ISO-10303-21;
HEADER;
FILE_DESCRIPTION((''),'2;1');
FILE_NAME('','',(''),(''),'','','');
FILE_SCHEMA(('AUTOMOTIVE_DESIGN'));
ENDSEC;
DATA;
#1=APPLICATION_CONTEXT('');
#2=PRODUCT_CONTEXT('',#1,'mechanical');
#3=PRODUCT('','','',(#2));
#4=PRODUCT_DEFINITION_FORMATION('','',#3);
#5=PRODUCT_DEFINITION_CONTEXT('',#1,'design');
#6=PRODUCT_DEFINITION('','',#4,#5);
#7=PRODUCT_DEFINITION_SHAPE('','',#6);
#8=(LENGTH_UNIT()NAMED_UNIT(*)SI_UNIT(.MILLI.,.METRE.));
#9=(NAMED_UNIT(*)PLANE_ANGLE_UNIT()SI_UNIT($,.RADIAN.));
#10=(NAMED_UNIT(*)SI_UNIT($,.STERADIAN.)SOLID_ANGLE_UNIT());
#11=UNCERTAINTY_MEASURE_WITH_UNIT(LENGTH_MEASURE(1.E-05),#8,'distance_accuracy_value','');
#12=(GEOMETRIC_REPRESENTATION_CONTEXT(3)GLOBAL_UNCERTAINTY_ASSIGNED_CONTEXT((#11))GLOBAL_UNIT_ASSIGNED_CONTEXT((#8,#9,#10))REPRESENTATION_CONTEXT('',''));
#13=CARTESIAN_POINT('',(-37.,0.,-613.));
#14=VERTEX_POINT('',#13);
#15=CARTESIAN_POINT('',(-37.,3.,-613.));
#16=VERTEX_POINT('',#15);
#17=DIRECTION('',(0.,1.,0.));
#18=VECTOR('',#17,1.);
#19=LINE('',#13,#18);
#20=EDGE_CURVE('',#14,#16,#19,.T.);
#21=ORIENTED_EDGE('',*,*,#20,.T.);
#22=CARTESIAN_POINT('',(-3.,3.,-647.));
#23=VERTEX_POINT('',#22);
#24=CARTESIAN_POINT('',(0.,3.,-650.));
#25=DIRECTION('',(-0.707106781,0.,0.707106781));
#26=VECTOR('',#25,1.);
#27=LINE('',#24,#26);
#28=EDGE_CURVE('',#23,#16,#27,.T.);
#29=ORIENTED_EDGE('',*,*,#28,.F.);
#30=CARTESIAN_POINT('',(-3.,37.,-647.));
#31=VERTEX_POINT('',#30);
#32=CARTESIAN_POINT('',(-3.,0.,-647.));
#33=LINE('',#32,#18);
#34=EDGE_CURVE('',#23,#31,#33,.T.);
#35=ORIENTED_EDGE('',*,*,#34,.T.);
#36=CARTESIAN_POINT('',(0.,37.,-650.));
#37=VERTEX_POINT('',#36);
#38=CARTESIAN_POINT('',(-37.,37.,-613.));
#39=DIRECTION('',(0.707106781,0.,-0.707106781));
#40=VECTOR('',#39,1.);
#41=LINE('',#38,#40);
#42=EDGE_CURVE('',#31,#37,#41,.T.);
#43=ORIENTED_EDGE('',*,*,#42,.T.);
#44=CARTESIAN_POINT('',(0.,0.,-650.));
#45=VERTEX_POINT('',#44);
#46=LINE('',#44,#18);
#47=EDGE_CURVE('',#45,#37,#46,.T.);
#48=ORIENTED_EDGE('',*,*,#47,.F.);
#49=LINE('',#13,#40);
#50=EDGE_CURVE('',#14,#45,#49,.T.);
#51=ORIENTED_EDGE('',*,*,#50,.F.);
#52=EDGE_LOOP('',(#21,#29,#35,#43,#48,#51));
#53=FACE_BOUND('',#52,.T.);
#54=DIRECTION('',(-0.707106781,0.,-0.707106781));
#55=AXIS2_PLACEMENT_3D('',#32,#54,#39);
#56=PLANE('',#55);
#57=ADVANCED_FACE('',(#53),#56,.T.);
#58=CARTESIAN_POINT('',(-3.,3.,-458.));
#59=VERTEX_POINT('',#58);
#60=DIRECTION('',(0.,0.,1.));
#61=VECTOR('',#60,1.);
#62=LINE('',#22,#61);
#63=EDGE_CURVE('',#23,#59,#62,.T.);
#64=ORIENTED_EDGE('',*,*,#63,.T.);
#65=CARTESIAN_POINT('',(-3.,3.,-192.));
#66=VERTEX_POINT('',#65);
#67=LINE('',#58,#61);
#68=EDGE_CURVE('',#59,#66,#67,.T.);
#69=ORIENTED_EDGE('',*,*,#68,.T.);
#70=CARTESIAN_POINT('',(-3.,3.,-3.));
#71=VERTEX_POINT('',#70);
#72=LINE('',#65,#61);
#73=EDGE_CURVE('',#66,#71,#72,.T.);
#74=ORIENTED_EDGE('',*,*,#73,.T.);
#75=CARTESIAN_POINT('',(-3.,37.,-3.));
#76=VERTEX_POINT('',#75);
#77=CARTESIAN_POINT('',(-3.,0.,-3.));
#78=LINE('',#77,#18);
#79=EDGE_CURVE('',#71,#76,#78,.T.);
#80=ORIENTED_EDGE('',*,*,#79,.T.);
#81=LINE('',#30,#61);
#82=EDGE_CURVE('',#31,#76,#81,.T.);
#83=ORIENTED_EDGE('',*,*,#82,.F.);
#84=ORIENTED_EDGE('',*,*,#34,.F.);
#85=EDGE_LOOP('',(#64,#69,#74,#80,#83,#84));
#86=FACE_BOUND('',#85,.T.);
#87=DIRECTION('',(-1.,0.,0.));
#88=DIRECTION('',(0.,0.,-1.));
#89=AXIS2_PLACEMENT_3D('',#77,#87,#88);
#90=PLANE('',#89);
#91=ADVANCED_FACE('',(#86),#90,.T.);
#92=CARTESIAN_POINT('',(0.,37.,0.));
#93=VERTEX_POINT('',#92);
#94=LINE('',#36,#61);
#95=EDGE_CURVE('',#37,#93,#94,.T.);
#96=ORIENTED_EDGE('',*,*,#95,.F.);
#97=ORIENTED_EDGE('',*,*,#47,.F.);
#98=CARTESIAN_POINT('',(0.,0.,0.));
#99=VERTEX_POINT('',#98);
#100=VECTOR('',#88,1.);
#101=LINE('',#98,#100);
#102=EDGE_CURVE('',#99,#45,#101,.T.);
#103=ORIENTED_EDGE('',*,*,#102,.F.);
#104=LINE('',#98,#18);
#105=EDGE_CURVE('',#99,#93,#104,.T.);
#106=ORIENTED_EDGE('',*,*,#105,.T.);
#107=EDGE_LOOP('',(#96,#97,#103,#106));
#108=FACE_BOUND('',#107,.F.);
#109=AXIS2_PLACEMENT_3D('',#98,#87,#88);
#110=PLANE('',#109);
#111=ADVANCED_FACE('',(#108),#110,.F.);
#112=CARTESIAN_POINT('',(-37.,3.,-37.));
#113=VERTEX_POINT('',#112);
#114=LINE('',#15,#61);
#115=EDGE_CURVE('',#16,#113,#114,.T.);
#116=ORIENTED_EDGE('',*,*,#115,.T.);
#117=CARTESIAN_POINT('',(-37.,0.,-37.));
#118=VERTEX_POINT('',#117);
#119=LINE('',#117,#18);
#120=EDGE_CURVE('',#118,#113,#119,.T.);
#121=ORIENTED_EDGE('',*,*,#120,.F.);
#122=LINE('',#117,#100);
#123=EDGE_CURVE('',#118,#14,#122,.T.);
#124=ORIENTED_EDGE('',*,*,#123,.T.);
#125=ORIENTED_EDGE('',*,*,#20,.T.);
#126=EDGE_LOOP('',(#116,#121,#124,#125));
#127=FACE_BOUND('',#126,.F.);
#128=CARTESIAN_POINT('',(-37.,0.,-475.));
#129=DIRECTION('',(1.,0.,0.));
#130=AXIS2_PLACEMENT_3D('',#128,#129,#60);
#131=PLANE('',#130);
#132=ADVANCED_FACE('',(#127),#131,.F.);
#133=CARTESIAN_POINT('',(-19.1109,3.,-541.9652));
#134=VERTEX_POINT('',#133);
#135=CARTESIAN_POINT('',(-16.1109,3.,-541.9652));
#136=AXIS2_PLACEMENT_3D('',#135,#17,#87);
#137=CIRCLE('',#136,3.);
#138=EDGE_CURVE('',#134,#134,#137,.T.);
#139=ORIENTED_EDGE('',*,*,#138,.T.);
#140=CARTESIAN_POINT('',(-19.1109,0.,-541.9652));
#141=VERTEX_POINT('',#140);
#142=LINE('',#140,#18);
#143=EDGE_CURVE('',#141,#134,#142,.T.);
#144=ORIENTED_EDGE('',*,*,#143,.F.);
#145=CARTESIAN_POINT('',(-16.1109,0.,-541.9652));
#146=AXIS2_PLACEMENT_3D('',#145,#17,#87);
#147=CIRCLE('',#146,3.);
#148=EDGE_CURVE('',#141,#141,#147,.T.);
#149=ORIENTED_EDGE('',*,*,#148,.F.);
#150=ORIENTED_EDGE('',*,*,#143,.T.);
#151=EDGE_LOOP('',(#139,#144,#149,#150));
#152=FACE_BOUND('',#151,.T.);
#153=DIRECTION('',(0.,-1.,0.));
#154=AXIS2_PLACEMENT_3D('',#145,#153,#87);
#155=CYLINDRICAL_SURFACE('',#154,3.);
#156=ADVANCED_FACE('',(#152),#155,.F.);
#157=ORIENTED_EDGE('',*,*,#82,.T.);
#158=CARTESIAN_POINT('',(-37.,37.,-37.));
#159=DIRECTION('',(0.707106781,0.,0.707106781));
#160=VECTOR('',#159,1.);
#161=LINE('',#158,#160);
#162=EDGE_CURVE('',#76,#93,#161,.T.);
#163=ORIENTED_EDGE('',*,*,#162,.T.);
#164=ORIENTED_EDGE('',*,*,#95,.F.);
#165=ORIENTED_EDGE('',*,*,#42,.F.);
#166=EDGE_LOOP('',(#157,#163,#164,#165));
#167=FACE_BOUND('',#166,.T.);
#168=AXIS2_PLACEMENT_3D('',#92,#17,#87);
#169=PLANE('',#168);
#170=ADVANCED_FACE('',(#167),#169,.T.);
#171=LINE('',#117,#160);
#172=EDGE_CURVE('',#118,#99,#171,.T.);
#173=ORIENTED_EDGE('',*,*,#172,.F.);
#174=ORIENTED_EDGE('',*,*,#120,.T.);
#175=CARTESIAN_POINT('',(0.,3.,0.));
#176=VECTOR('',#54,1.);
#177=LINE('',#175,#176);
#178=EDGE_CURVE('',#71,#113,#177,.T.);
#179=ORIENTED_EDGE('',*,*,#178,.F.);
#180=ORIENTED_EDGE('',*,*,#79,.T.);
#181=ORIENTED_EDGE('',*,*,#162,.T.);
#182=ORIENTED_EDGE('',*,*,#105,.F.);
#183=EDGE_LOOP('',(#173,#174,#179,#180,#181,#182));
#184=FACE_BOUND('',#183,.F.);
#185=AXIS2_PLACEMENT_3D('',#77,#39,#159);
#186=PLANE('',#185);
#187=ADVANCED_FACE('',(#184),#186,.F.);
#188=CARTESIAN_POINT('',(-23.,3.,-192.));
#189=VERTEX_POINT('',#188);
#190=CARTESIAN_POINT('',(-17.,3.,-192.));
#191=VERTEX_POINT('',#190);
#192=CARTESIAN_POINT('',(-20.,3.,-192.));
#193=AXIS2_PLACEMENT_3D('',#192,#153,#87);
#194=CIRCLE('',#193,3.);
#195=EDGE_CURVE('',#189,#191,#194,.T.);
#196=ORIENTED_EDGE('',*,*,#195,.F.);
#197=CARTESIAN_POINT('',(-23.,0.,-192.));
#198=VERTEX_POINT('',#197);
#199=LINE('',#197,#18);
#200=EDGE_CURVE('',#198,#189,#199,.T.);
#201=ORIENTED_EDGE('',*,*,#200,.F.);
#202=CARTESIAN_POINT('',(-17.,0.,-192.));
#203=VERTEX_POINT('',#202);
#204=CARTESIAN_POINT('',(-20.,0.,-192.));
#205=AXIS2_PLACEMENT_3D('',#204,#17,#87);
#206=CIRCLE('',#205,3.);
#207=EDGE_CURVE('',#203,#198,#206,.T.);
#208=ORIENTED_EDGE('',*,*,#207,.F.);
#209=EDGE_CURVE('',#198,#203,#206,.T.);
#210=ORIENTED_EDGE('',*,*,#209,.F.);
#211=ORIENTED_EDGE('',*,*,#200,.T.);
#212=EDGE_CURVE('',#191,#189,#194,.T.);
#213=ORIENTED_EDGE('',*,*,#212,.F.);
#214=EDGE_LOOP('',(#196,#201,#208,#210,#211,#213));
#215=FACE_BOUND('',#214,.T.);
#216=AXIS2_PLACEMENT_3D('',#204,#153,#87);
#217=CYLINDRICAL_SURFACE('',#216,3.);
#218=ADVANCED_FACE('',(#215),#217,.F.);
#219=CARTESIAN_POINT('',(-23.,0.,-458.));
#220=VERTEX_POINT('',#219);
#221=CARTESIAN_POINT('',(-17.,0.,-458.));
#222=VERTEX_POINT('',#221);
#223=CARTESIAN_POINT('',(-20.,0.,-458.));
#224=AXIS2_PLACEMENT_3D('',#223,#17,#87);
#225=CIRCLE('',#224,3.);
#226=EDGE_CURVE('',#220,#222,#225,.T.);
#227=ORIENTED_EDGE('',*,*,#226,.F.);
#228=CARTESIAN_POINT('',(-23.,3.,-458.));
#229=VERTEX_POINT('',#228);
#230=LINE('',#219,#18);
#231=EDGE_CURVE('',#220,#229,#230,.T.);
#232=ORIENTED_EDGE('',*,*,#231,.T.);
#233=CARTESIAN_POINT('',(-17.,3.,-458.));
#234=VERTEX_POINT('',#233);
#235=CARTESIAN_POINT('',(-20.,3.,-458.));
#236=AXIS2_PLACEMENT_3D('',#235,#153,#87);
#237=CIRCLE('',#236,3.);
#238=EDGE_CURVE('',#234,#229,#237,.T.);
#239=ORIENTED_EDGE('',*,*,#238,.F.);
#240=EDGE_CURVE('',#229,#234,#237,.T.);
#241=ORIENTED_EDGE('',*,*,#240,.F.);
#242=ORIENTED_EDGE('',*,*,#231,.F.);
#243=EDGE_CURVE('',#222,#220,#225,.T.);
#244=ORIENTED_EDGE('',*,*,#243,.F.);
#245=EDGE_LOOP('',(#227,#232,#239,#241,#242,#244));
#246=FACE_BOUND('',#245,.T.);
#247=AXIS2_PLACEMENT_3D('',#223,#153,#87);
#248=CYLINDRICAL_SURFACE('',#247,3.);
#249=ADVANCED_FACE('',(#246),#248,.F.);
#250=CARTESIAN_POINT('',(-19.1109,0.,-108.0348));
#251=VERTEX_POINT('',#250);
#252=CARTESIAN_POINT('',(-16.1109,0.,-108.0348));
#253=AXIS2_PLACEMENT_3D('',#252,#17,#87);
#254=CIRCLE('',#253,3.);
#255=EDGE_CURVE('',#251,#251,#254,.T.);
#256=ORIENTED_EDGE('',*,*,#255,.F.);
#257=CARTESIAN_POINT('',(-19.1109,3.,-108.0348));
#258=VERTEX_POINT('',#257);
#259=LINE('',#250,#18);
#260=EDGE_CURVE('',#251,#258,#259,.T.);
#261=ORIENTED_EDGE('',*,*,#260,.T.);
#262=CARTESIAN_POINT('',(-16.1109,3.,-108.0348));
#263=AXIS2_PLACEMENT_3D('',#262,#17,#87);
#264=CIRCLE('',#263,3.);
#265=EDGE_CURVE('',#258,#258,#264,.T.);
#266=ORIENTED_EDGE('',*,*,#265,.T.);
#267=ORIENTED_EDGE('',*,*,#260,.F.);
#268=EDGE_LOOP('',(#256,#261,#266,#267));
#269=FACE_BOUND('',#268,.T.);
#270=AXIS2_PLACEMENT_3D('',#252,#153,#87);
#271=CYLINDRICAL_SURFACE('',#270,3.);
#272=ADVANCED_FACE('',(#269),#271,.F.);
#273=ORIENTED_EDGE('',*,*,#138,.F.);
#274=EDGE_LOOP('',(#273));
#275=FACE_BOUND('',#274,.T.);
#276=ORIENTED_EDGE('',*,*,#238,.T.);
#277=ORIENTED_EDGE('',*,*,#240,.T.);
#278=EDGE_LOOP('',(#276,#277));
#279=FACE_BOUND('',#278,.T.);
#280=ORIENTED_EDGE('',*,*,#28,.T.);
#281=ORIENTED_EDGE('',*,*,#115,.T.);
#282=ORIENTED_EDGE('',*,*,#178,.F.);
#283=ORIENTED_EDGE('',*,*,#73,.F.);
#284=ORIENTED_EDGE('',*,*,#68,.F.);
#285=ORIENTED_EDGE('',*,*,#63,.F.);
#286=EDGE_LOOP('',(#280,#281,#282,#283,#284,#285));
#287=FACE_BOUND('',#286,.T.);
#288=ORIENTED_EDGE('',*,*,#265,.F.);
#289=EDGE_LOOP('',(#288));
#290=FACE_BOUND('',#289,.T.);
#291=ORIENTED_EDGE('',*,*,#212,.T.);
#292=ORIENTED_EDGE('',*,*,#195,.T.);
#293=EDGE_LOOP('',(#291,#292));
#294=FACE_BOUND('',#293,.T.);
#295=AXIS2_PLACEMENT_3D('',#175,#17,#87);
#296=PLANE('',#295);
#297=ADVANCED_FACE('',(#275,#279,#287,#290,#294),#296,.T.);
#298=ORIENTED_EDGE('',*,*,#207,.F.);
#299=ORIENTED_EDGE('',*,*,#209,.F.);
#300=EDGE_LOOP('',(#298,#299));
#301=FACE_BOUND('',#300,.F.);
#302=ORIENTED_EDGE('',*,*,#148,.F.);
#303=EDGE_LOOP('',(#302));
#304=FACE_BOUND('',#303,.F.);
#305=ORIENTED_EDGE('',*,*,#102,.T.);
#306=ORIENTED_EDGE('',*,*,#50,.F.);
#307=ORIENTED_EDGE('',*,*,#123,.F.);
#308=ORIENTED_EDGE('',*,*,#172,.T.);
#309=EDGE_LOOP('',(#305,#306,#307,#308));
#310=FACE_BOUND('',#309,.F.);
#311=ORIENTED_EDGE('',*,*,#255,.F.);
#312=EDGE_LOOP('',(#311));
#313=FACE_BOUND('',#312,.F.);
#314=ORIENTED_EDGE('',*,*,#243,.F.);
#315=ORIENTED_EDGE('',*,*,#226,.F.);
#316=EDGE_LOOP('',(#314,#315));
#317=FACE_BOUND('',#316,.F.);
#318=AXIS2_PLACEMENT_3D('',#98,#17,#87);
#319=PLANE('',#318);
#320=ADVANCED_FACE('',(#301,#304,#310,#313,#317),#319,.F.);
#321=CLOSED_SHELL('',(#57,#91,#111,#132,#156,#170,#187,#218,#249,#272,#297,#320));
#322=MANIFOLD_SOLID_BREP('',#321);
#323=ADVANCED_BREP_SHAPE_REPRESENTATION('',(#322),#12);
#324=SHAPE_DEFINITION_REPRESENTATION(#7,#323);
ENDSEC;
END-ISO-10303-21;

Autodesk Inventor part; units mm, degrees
ref_plane "YZ Plane" through (0, 0, 0) normal (1, 0, 0) x (0, 1, 0)
ref_plane "XZ Plane" through (0, 0, 0) normal (0, 1, 0) x (-1, 0, 0)
ref_plane "XY Plane" through (0, 0, 0) normal (0, 0, 1) x (1, 0, 0)
sketch "Sketch1" plane through (0, 0, 0) normal (0, 1, 0) x (-1, 0, 0)
  line L0 (0, 0) -> (0, -650)
  line L1 (0, -650) -> (650, -650)
  line L2 (650, -650) -> (650, 0)
  line L3 (650, 0) -> (0, 0)
  line L4 (0, 0) -> (3, 0)
  line L5 (3, -3) -> (3, -647)
  line L6 (3, -650) -> (0, -650)
  line L7 (0, -650) -> (0, -647)
  line L8 (650, -647) -> (650, -650)
  line L9 (650, -650) -> (647, -650)
  line L10 (647, -650) -> (647, 0)
  line L11 (647, 0) -> (650, 0)
  line L12 (650, 0) -> (650, -3)
  line L13 (0, -3) -> (0, 0)
  line L14 (0, 0) -> (0, -37)
  line L15 (650, -37) -> (650, 0)
  line L16 (650, 0) -> (613, 0)
  line L17 (613, 0) -> (613, -650)
  line L18 (613, -650) -> (650, -650)
  line L19 (650, -650) -> (650, -613)
  line L20 (0, -613) -> (0, -650)
  line L21 (0, -650) -> (37, -650)
  line L22 (37, 0) -> (0, 0)
  line L23 (3, -147.3087) -> (3, -94.9828)
  line L24 (147.3087, -3) -> (94.9828, -3)
  circle A0 centre (16.1109, -108.0348) radius 3
  line L25 (0, -650) -> (3, -650)
  line L26 (0, -647) -> (0, -650)
  line L27 (0, -650) -> (0, -613)
  line L28 (37, -650) -> (0, -650)
  line L29 (3, -502.6913) -> (3, -555.0172)
  line L30 (147.3087, -647) -> (94.9828, -647)
  circle A1 centre (16.1109, -541.9652) radius 3
  line L31 (37, -650) -> (37, -37)
  line L32 (37, -3) -> (37, 0)
  line L33 (650, -3) -> (34.9546, -3)
  line L34 (34.9546, -647) -> (650, -647)
  line L35 (37, -37) -> (0, 0)
  line L36 (37, -613) -> (0, -650)
  line L37 (0, -650) -> (3, -647)
  line L38 (3, -647) -> (3, -3)
  line L39 (3, -3) -> (0, 0)
  line L40 (3, -325) -> (3, -458)
  line L41 (3, -458) -> (20, -458)
  line L42 (3, -325) -> (3, -192)
  line L43 (3, -192) -> (20, -192)
  circle A2 centre (20, -192) radius 3
  circle A3 centre (20, -458) radius 3
  line L44 (325, -650) -> (192, -650)
  line L45 (192, -650) -> (192, -630)
  circle A4 centre (192, -630) radius 3
  line L46 (3, -458) -> (3, -475)
  line L47 (3, -475) -> (647, -475)
  line L48 (3, -475) -> (3, -478)
  line L49 (3, -478) -> (647, -478)
  line L50 (192, -630) -> (175, -630)
  line L51 (192, -630) -> (209, -630)
  line L52 (209, -630) -> (209, -478)
  line L53 (175, -630) -> (175, -478)
  point P0 (37, -647)
  dimension "d0" = 650
  dimension "d1" = 650
  dimension "d2" = 650
  dimension "d3" = 3
  dimension "d4" = 650
  dimension "d5" = 3
  dimension "d6" = 3
  dimension "d7" = 650
  dimension "d8" = 3
  dimension "d9" = 650
  dimension "d10" = 37
  dimension "d12" = 37
  dimension "d13" = 650
  dimension "d14" = 37
  dimension "d15" = 650
  dimension "d16" = 37
  dimension "d28" = 6
  dimension "d33" = 133
  dimension "d34" = 17
  dimension "d35" = 133
  dimension "d36" = 17
  dimension "d37" = 6
  dimension "d38" = 6
  dimension "d41" = 133
  dimension "d42" = 20
  dimension "d43" = 6
  dimension "d44" = 17
  dimension "d45" = 3
  dimension "d46" = 17
  dimension "d47" = 17
extrude "Extrusion1" add sketch "Sketch1" along normal blind 3 contours L35 L5 L36 L0 | A2 | A3 | L35 L31 L47 L5 | L31 L49 L5 L47 | L31 L36 L5 L49
extrude "Extrusion2" add sketch "Sketch1" along normal blind 37 contours L35 L5 L36 L0
extrude "Extrusion3" cut sketch "Sketch1" along normal blind 3 contours A2 | A3
properties part number "body_outer_L"
